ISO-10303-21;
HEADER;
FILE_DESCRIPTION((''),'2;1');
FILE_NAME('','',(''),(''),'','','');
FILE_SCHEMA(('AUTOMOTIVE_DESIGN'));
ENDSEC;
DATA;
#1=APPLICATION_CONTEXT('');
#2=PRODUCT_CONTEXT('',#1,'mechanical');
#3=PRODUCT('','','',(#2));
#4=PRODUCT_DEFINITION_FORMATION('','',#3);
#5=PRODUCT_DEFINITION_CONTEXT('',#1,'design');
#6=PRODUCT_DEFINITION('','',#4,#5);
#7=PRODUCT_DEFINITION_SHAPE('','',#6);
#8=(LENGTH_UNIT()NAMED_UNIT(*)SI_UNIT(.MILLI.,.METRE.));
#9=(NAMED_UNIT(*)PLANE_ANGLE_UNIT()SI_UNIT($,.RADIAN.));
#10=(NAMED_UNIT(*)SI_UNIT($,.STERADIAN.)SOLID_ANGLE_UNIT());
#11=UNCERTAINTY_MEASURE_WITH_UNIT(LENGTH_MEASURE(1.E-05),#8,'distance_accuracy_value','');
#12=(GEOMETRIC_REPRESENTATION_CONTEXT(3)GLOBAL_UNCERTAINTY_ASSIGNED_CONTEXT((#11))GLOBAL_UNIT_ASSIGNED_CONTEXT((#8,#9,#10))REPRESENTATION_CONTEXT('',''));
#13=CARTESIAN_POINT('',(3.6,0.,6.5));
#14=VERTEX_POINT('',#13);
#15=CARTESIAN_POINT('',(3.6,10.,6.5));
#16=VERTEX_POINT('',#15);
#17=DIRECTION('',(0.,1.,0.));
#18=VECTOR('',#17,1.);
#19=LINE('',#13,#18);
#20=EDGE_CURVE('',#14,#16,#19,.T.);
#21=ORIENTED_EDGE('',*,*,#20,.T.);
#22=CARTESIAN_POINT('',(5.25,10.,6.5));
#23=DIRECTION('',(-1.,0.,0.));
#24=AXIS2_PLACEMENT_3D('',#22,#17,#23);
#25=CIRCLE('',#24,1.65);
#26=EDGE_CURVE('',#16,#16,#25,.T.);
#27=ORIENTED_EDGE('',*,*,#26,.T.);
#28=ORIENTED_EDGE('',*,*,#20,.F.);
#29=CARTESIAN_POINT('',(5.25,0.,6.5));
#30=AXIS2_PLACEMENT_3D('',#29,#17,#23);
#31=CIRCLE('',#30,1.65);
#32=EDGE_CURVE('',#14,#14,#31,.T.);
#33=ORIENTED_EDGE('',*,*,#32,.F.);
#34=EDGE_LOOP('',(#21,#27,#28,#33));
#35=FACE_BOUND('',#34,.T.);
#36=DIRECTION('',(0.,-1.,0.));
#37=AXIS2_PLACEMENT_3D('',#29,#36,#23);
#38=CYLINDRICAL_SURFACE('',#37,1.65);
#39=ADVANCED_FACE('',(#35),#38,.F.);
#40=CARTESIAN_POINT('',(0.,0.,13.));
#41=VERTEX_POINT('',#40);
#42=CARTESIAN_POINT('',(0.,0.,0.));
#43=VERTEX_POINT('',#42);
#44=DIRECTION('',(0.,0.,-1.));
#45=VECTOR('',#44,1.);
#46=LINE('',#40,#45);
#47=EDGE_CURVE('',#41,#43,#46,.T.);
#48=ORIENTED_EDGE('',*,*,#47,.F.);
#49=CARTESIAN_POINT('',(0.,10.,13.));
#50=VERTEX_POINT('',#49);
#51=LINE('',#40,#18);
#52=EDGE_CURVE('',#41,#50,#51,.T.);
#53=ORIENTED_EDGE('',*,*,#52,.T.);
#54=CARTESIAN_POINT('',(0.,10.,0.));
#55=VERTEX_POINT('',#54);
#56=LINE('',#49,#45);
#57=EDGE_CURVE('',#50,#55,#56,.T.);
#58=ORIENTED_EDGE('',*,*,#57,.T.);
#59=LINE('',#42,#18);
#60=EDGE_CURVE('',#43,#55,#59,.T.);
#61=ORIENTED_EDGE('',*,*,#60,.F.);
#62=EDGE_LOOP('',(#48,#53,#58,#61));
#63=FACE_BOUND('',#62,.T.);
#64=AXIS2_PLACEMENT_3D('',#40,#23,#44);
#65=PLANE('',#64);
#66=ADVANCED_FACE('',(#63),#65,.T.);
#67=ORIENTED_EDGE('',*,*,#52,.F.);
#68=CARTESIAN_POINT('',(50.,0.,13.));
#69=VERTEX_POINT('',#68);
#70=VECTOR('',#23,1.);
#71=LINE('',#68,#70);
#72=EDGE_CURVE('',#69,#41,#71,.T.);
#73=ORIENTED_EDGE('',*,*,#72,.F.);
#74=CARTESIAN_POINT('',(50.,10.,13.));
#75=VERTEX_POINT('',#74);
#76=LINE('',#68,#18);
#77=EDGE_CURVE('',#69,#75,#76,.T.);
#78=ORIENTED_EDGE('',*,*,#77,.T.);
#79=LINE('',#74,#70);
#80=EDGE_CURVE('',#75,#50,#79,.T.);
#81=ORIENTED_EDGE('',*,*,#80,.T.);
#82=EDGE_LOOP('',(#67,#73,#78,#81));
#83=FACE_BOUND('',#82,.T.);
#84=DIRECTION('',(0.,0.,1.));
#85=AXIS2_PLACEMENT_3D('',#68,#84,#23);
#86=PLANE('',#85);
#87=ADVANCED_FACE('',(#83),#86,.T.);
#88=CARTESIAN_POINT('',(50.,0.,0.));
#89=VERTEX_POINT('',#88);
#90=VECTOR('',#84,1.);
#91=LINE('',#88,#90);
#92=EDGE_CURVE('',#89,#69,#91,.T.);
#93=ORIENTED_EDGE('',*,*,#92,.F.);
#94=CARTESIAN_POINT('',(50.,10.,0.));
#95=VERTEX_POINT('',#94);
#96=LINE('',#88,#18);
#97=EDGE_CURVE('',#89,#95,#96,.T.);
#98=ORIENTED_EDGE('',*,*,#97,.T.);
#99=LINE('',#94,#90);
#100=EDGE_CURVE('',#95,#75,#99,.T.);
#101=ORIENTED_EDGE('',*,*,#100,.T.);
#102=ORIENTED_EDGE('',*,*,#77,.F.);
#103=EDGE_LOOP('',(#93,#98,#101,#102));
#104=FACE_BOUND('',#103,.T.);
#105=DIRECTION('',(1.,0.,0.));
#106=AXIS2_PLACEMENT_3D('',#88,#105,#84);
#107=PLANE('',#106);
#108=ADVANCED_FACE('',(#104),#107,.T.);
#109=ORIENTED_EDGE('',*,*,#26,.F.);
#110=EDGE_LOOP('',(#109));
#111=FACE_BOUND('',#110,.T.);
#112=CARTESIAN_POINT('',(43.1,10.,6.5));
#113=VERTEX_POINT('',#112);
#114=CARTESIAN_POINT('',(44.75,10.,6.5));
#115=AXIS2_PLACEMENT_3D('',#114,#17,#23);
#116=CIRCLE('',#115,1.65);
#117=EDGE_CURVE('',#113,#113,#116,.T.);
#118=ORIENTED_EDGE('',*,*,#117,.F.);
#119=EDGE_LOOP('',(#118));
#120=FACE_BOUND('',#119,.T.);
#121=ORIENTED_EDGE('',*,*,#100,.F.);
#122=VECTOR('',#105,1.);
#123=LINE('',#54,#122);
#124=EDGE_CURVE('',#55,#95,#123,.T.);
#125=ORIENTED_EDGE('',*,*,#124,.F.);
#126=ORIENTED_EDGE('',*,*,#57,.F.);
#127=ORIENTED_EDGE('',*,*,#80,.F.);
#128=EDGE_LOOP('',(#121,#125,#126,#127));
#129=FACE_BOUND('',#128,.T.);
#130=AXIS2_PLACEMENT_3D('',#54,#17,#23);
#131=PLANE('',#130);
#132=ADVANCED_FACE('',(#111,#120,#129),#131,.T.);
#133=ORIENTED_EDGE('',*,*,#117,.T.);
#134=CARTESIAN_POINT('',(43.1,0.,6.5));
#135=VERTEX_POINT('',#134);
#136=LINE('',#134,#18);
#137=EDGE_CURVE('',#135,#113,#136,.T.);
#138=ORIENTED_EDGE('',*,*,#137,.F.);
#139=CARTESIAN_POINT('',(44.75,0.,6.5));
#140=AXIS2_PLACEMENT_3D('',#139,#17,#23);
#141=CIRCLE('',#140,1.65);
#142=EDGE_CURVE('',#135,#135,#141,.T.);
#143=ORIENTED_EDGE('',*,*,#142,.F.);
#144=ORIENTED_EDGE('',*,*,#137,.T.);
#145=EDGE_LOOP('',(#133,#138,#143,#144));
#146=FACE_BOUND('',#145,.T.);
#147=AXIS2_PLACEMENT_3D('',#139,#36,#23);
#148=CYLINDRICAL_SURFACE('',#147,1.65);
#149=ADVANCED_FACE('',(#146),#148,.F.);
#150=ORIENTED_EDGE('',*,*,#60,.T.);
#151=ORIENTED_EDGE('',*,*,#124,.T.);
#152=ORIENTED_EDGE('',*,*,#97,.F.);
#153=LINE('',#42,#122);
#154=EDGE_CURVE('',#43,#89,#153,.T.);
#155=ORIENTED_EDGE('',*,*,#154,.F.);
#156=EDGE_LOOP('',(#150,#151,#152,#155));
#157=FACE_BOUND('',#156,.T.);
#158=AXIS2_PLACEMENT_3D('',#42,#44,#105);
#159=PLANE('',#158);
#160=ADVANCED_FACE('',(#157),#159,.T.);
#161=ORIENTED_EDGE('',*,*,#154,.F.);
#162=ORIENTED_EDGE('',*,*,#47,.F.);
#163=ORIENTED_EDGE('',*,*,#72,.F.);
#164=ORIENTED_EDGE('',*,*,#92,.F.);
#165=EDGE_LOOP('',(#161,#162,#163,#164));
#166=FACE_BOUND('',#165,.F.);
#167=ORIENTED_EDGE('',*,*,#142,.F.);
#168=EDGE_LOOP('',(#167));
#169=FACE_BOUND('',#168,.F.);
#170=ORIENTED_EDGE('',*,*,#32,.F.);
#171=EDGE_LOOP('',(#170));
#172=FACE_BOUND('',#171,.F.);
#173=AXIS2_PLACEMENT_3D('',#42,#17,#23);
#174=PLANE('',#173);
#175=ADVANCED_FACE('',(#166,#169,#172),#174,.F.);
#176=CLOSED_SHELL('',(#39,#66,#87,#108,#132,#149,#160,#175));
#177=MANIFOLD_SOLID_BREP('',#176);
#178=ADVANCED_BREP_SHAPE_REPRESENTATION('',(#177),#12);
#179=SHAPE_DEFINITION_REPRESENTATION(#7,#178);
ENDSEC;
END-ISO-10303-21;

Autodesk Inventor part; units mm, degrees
ref_plane "YZ Plane" through (0, 0, 0) normal (1, 0, 0) x (0, 1, 0)
ref_plane "XZ Plane" through (0, 0, 0) normal (0, 1, 0) x (-1, 0, 0)
ref_plane "XY Plane" through (0, 0, 0) normal (0, 0, 1) x (1, 0, 0)
sketch "Эскиз1" plane through (0, 0, 0) normal (0, 1, 0) x (-1, 0, 0)
  line L0 (0, 0) -> (-50, 0)
  line L1 (-50, 0) -> (-50, 13)
  line L2 (-50, 13) -> (0, 13)
  line L3 (0, 13) -> (0, 0)
  line L4 (-50, 0) -> (0, 13) construction
  line L5 (-5.25, 6.5) -> (-44.75, 6.5) construction
  circle A0 centre (-5.25, 6.5) radius 1.65
  circle A1 centre (-44.75, 6.5) radius 1.65
  point P0 (-25, 6.5)
  point P1 (-25, 6.5)
  dimension "d0" = 50
  dimension "d1" = 13
  dimension "d2" = 39.5
  dimension "d3" = 3.3
  dimension "d4" = 3.3
extrude "Выдавливание1" add sketch "Эскиз1" along normal blind 10
properties part number "Conductor_RD16"
